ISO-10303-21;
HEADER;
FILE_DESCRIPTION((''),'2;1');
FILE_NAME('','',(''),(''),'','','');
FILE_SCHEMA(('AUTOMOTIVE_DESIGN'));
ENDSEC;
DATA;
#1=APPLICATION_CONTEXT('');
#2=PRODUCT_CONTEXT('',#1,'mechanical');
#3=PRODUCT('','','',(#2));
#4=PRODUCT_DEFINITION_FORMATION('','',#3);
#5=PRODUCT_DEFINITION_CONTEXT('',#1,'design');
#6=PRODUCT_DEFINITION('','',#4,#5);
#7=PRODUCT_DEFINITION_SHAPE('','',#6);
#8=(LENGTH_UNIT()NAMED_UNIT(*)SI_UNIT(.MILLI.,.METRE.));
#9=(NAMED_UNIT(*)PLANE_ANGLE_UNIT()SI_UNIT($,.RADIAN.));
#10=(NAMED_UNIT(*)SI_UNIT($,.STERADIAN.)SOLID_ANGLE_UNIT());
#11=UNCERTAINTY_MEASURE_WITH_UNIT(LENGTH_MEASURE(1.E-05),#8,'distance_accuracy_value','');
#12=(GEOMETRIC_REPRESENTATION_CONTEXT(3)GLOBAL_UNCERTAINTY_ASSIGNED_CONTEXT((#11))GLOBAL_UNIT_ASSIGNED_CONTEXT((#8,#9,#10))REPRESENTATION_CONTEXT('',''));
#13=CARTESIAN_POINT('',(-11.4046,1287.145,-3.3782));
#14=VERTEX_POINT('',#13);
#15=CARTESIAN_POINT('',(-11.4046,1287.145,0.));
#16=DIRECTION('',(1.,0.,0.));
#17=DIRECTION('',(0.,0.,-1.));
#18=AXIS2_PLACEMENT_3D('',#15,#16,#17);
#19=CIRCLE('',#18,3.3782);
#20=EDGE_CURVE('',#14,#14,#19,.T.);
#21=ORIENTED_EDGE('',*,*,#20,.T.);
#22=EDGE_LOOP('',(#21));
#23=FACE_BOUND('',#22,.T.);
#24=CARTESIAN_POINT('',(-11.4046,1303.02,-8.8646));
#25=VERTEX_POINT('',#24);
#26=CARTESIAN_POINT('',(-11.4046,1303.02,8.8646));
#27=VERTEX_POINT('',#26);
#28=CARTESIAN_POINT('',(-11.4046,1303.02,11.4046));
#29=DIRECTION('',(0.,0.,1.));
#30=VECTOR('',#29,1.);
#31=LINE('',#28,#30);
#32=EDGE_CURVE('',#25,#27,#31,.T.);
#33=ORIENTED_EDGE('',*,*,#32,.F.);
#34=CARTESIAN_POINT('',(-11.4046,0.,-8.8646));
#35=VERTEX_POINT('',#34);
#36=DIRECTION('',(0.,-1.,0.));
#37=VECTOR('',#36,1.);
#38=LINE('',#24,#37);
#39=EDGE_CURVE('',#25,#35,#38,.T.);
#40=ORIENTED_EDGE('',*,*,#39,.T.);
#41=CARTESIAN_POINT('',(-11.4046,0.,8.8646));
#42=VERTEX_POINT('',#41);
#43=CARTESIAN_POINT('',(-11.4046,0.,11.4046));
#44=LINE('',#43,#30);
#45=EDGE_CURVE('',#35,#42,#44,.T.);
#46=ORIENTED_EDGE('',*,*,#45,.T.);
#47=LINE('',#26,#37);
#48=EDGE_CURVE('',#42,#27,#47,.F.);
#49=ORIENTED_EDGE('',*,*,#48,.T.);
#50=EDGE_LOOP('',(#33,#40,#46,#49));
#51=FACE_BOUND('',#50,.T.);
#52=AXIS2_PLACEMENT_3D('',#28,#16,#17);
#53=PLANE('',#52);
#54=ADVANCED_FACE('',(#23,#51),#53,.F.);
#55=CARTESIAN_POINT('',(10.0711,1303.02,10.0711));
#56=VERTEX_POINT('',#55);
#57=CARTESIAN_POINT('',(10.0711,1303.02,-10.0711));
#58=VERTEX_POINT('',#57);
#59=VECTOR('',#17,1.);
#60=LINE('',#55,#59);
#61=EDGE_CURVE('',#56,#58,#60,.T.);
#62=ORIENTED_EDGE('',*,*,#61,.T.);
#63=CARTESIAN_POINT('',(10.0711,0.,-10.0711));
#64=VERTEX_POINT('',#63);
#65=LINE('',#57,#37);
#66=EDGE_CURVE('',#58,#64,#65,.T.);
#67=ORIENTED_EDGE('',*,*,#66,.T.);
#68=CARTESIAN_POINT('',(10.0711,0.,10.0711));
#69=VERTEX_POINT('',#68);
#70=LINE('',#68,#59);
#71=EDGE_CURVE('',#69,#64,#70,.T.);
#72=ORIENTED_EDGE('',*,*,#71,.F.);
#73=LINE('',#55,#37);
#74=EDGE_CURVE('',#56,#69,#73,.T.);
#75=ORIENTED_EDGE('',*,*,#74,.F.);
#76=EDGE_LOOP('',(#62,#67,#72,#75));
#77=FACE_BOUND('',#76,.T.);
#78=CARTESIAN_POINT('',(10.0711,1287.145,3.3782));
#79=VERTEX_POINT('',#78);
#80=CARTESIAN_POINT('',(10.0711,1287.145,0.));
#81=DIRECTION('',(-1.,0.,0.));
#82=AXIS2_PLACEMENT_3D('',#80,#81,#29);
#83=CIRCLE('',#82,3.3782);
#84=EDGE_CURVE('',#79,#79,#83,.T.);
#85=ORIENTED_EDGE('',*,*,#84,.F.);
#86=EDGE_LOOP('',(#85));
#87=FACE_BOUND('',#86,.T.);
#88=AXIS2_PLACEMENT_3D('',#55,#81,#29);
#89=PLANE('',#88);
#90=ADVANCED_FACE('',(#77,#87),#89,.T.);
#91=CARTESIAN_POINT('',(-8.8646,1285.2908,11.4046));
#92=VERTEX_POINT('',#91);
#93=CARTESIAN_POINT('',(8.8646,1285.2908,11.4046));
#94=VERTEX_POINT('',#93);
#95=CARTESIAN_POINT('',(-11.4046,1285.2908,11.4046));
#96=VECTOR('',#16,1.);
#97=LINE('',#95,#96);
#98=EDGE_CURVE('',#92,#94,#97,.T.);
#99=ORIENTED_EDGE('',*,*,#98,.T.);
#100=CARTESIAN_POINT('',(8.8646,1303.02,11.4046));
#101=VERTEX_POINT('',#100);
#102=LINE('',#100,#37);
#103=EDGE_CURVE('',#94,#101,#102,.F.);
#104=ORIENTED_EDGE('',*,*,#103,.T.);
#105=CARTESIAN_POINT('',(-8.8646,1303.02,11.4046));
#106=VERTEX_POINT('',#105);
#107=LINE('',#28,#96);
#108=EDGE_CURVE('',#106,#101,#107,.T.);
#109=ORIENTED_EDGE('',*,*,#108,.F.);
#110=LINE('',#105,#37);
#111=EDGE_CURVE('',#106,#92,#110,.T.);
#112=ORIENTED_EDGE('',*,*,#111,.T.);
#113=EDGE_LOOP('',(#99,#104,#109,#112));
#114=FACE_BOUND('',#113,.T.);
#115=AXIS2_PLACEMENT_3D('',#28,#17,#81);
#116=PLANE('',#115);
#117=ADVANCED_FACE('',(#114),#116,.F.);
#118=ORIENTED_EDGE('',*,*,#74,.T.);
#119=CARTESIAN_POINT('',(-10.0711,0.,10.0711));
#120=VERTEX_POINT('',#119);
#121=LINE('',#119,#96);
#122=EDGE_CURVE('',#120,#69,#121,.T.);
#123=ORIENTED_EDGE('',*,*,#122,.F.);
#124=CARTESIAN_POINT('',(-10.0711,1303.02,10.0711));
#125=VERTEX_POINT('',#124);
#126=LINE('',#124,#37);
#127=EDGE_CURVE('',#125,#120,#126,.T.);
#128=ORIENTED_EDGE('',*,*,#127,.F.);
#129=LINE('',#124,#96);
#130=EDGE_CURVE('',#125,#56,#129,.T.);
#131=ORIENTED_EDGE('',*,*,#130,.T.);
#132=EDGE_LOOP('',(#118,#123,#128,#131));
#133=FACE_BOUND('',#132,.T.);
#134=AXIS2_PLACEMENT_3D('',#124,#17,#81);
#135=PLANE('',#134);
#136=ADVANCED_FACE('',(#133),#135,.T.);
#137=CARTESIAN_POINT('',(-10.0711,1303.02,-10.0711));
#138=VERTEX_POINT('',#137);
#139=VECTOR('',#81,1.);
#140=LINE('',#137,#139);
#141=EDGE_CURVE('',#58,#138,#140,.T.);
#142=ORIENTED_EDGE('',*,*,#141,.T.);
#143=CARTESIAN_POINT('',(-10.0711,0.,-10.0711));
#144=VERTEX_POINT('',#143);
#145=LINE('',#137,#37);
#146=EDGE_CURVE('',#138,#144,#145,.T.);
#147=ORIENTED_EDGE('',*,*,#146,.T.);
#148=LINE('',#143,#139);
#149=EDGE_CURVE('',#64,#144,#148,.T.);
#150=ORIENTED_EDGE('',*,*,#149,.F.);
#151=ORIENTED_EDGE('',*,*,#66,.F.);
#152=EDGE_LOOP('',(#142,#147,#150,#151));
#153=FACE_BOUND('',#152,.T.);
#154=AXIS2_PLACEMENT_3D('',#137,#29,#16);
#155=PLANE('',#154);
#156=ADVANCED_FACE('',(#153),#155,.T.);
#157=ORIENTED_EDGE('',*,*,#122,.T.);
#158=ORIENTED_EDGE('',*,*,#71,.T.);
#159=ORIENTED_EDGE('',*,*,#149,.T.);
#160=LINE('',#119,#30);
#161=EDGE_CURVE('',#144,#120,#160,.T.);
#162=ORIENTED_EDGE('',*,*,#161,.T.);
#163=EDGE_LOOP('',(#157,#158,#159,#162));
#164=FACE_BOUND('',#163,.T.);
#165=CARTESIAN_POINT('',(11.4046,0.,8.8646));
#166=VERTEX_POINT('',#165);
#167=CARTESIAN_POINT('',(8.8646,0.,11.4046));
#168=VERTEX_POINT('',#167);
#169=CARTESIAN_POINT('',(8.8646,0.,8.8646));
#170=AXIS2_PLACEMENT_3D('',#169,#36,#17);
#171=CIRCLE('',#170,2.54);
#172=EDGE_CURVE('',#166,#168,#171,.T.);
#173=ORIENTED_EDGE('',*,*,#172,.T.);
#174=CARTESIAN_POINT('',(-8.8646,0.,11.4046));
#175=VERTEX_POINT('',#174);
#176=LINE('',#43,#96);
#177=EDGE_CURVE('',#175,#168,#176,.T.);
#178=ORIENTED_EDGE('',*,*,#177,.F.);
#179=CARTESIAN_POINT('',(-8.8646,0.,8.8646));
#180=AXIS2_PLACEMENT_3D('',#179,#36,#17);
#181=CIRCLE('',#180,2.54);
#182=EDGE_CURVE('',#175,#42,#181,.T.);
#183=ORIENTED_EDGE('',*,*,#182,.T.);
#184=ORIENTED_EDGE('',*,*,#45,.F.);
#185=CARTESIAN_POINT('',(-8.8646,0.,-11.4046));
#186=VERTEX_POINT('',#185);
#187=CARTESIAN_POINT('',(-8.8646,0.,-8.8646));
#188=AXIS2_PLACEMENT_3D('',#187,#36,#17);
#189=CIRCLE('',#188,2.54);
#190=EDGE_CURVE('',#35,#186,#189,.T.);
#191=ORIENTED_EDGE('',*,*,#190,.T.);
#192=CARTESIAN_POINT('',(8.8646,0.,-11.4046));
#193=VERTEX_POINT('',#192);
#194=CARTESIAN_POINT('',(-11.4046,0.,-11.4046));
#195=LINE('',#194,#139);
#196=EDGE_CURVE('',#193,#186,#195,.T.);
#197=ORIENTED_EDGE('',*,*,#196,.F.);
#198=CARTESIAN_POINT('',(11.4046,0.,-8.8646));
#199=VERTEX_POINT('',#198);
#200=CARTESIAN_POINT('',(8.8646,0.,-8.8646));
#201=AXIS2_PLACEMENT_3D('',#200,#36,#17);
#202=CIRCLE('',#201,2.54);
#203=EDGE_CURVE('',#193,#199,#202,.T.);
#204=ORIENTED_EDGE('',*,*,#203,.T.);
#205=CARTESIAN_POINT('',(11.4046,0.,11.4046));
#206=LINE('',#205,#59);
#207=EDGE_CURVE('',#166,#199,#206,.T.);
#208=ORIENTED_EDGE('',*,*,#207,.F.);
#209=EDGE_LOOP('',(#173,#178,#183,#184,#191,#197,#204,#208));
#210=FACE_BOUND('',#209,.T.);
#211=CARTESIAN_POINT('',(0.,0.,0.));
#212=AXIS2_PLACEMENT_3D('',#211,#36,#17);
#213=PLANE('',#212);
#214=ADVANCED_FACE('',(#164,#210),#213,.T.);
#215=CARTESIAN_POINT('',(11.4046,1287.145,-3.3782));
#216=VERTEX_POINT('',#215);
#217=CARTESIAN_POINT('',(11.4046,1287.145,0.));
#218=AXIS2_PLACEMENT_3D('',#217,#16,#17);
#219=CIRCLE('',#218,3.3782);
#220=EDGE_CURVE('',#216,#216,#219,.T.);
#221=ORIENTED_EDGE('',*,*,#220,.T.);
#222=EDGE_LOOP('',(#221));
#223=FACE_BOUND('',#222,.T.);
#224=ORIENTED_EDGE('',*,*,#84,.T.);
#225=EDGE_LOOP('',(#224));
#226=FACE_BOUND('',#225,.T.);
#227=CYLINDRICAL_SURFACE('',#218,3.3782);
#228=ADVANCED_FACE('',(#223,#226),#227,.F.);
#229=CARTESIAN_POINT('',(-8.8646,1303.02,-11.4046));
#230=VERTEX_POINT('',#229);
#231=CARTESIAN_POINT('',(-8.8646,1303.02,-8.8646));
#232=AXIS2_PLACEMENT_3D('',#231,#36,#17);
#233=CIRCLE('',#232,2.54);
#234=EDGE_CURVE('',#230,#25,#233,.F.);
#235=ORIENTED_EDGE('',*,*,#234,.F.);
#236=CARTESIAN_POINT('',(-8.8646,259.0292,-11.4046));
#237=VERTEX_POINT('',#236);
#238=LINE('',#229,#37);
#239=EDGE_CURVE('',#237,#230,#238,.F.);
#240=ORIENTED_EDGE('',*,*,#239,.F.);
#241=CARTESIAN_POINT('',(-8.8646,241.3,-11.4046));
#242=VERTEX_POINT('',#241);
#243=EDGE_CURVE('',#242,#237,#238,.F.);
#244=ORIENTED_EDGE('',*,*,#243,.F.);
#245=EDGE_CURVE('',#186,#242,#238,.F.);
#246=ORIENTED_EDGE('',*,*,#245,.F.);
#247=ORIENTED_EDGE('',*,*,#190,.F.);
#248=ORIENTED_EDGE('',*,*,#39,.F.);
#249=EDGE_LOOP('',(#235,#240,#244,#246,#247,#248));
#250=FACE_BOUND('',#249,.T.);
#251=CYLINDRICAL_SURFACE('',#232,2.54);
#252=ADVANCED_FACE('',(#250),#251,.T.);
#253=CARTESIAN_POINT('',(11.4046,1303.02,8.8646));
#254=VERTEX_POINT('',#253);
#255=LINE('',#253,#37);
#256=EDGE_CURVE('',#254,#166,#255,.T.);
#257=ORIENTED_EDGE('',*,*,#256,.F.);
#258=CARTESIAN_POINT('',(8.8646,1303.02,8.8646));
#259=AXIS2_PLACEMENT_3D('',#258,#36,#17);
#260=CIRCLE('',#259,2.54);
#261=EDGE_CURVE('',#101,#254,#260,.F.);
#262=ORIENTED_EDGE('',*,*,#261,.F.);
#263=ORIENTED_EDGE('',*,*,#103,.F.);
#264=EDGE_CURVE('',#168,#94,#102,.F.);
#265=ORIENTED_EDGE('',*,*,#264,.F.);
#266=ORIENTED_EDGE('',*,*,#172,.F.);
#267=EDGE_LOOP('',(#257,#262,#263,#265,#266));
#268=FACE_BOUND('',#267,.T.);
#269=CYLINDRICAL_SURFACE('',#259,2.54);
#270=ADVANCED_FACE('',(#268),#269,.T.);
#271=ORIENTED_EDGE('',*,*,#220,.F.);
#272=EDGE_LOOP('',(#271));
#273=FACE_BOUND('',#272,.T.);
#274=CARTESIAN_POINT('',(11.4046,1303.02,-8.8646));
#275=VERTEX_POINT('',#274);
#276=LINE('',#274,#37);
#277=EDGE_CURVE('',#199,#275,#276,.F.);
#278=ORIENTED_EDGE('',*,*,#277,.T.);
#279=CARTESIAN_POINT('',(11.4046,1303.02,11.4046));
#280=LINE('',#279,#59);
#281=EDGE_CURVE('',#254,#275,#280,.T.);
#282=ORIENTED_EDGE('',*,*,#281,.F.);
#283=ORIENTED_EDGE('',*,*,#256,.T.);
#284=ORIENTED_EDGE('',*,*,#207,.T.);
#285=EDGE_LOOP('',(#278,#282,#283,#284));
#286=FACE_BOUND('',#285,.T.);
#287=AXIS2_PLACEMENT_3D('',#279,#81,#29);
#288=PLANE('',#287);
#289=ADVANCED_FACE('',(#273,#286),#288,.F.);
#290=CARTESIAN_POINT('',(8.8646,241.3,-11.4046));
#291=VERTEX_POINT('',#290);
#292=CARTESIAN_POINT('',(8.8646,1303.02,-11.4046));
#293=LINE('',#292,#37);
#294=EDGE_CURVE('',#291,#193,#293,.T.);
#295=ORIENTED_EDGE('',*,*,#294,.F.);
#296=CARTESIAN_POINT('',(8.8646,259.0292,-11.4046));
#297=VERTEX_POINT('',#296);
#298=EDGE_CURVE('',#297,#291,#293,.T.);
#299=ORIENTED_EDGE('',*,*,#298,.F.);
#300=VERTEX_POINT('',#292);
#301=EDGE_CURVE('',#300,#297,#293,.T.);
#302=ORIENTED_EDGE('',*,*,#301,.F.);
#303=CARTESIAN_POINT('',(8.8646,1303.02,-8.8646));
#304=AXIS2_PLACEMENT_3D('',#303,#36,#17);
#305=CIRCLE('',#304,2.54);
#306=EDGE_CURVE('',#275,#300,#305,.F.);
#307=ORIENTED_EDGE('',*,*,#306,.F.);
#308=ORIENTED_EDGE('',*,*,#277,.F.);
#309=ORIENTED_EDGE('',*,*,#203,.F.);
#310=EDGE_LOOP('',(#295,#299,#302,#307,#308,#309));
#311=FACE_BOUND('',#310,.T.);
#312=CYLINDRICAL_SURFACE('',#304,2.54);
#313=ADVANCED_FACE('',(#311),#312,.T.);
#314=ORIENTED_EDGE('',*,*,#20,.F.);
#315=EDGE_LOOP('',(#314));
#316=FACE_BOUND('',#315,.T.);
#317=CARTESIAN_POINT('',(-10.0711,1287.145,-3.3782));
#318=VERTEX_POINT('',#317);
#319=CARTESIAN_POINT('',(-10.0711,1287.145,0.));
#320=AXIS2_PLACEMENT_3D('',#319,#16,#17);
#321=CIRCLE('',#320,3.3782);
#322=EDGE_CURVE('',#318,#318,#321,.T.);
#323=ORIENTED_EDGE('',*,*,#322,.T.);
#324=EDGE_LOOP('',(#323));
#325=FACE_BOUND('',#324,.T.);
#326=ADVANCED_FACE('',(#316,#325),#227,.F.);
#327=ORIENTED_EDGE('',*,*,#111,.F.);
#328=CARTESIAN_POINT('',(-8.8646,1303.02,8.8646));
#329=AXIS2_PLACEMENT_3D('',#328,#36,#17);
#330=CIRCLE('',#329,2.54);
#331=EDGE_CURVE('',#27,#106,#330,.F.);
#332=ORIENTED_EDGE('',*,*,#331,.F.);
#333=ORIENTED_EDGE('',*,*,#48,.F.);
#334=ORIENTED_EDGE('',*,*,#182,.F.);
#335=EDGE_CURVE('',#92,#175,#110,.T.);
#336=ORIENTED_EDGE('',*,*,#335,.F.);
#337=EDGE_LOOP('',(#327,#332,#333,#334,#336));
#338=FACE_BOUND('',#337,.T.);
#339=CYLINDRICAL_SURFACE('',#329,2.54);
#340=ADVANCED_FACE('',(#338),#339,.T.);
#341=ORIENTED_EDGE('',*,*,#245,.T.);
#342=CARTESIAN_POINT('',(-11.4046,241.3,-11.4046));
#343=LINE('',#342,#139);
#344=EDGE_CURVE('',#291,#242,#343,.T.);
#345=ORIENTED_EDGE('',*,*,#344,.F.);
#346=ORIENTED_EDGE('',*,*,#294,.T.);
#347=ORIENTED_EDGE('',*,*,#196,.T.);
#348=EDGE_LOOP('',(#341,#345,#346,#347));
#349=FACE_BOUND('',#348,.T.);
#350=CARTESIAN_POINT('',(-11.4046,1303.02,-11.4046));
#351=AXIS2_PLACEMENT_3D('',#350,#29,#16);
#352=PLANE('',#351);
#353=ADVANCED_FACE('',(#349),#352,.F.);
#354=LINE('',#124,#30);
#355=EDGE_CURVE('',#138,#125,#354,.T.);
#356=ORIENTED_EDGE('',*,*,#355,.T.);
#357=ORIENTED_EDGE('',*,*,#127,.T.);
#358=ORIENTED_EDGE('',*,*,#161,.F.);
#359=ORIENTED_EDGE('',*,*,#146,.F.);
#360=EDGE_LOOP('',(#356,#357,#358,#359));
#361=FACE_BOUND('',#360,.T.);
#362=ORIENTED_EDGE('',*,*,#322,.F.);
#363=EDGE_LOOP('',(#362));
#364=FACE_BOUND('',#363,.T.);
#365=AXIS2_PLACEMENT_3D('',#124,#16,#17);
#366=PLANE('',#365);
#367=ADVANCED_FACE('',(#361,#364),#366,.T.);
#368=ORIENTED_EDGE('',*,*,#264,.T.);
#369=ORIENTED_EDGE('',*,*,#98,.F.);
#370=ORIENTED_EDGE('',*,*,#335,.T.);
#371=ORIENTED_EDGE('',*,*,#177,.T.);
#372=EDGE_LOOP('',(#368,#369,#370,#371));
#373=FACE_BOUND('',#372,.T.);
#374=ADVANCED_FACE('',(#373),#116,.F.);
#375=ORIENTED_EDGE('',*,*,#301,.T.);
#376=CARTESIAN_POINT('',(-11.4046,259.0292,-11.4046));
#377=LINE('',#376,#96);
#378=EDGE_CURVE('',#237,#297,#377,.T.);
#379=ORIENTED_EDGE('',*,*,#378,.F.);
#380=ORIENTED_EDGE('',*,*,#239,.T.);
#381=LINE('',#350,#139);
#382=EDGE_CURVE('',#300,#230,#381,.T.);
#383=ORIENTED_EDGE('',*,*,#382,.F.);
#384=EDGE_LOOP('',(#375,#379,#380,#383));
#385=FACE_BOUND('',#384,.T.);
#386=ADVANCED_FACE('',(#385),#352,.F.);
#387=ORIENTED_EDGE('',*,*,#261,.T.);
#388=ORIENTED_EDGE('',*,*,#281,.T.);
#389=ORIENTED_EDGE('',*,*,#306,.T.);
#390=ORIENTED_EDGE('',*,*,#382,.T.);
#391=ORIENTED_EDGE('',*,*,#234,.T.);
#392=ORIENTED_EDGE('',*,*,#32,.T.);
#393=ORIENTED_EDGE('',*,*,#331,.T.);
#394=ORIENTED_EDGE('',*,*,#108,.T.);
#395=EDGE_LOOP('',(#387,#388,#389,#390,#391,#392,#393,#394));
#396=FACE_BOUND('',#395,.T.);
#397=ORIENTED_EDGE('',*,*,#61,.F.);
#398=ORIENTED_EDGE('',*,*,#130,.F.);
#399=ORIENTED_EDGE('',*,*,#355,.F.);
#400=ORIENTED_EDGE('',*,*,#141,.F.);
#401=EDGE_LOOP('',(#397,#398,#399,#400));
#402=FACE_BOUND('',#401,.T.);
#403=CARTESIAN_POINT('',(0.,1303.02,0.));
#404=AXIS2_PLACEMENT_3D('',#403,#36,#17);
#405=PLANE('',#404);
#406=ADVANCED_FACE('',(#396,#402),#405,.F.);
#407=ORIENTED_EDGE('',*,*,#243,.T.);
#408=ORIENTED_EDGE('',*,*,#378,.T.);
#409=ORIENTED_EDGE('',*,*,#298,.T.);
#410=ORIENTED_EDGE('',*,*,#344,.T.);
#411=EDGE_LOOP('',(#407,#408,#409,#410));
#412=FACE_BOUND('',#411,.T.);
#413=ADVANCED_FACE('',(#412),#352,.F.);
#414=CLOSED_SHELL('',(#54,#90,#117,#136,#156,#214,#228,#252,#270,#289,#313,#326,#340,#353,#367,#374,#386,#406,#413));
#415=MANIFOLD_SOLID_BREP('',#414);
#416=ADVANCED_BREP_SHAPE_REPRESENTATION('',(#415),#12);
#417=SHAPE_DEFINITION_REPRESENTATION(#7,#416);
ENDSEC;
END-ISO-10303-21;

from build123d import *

# Parameters (mm, degrees)
SKETCH1_W                   = 22.8092
SKETCH1_H                   = 22.8092
SKETCH1_W_2                 = 20.1422
SKETCH1_H_2                 = 20.1422
BOSS_EXTRUDE1_DEPTH         = 1303.02
FILLET1_R                   = 2.54
F_1_4_0_25_DIAMETER_HOLE1_D = 6.35
F_1_4_CLEARANCE_HOLE1_D     = 6.7564


with BuildPart() as part:
    # Sketch1 → Boss-Extrude1 (new body)
    with BuildSketch(Plane(origin=(0, 0, 0), x_dir=(1, 0, 0), z_dir=(0, 1, 0))):
        Rectangle(SKETCH1_W, SKETCH1_H)
        Rectangle(SKETCH1_W_2, SKETCH1_H_2, mode=Mode.SUBTRACT)
    extrude(amount=BOSS_EXTRUDE1_DEPTH)

    # Fillet1
    fillet1_edges = [part.edges().sort_by_distance(p)[0] for p in [
        (11.4046, 651.51, 11.4046),
        (-11.4046, 651.51, 11.4046),
        (-11.4046, 651.51, -11.4046),
        (11.4046, 651.51, -11.4046),
    ]]
    fillet(fillet1_edges, radius=FILLET1_R)

    # 1/4 (0.25) Diameter Hole1 (through all)
    with Locations(Plane(origin=(0, 0, 0), x_dir=(-1, 0, 0), z_dir=(0, -1, 0))):
        with Locations((0, 0)):
            Hole(F_1_4_0_25_DIAMETER_HOLE1_D / 2)

    # 1/4 Clearance Hole1 (through all)
    with Locations(Plane(origin=(11.4046, 0, 0), x_dir=(0, 0, -1), z_dir=(1, 0, 0))):
        with Locations((0, 1287.145)):
            Hole(F_1_4_CLEARANCE_HOLE1_D / 2)


solid = part.part
